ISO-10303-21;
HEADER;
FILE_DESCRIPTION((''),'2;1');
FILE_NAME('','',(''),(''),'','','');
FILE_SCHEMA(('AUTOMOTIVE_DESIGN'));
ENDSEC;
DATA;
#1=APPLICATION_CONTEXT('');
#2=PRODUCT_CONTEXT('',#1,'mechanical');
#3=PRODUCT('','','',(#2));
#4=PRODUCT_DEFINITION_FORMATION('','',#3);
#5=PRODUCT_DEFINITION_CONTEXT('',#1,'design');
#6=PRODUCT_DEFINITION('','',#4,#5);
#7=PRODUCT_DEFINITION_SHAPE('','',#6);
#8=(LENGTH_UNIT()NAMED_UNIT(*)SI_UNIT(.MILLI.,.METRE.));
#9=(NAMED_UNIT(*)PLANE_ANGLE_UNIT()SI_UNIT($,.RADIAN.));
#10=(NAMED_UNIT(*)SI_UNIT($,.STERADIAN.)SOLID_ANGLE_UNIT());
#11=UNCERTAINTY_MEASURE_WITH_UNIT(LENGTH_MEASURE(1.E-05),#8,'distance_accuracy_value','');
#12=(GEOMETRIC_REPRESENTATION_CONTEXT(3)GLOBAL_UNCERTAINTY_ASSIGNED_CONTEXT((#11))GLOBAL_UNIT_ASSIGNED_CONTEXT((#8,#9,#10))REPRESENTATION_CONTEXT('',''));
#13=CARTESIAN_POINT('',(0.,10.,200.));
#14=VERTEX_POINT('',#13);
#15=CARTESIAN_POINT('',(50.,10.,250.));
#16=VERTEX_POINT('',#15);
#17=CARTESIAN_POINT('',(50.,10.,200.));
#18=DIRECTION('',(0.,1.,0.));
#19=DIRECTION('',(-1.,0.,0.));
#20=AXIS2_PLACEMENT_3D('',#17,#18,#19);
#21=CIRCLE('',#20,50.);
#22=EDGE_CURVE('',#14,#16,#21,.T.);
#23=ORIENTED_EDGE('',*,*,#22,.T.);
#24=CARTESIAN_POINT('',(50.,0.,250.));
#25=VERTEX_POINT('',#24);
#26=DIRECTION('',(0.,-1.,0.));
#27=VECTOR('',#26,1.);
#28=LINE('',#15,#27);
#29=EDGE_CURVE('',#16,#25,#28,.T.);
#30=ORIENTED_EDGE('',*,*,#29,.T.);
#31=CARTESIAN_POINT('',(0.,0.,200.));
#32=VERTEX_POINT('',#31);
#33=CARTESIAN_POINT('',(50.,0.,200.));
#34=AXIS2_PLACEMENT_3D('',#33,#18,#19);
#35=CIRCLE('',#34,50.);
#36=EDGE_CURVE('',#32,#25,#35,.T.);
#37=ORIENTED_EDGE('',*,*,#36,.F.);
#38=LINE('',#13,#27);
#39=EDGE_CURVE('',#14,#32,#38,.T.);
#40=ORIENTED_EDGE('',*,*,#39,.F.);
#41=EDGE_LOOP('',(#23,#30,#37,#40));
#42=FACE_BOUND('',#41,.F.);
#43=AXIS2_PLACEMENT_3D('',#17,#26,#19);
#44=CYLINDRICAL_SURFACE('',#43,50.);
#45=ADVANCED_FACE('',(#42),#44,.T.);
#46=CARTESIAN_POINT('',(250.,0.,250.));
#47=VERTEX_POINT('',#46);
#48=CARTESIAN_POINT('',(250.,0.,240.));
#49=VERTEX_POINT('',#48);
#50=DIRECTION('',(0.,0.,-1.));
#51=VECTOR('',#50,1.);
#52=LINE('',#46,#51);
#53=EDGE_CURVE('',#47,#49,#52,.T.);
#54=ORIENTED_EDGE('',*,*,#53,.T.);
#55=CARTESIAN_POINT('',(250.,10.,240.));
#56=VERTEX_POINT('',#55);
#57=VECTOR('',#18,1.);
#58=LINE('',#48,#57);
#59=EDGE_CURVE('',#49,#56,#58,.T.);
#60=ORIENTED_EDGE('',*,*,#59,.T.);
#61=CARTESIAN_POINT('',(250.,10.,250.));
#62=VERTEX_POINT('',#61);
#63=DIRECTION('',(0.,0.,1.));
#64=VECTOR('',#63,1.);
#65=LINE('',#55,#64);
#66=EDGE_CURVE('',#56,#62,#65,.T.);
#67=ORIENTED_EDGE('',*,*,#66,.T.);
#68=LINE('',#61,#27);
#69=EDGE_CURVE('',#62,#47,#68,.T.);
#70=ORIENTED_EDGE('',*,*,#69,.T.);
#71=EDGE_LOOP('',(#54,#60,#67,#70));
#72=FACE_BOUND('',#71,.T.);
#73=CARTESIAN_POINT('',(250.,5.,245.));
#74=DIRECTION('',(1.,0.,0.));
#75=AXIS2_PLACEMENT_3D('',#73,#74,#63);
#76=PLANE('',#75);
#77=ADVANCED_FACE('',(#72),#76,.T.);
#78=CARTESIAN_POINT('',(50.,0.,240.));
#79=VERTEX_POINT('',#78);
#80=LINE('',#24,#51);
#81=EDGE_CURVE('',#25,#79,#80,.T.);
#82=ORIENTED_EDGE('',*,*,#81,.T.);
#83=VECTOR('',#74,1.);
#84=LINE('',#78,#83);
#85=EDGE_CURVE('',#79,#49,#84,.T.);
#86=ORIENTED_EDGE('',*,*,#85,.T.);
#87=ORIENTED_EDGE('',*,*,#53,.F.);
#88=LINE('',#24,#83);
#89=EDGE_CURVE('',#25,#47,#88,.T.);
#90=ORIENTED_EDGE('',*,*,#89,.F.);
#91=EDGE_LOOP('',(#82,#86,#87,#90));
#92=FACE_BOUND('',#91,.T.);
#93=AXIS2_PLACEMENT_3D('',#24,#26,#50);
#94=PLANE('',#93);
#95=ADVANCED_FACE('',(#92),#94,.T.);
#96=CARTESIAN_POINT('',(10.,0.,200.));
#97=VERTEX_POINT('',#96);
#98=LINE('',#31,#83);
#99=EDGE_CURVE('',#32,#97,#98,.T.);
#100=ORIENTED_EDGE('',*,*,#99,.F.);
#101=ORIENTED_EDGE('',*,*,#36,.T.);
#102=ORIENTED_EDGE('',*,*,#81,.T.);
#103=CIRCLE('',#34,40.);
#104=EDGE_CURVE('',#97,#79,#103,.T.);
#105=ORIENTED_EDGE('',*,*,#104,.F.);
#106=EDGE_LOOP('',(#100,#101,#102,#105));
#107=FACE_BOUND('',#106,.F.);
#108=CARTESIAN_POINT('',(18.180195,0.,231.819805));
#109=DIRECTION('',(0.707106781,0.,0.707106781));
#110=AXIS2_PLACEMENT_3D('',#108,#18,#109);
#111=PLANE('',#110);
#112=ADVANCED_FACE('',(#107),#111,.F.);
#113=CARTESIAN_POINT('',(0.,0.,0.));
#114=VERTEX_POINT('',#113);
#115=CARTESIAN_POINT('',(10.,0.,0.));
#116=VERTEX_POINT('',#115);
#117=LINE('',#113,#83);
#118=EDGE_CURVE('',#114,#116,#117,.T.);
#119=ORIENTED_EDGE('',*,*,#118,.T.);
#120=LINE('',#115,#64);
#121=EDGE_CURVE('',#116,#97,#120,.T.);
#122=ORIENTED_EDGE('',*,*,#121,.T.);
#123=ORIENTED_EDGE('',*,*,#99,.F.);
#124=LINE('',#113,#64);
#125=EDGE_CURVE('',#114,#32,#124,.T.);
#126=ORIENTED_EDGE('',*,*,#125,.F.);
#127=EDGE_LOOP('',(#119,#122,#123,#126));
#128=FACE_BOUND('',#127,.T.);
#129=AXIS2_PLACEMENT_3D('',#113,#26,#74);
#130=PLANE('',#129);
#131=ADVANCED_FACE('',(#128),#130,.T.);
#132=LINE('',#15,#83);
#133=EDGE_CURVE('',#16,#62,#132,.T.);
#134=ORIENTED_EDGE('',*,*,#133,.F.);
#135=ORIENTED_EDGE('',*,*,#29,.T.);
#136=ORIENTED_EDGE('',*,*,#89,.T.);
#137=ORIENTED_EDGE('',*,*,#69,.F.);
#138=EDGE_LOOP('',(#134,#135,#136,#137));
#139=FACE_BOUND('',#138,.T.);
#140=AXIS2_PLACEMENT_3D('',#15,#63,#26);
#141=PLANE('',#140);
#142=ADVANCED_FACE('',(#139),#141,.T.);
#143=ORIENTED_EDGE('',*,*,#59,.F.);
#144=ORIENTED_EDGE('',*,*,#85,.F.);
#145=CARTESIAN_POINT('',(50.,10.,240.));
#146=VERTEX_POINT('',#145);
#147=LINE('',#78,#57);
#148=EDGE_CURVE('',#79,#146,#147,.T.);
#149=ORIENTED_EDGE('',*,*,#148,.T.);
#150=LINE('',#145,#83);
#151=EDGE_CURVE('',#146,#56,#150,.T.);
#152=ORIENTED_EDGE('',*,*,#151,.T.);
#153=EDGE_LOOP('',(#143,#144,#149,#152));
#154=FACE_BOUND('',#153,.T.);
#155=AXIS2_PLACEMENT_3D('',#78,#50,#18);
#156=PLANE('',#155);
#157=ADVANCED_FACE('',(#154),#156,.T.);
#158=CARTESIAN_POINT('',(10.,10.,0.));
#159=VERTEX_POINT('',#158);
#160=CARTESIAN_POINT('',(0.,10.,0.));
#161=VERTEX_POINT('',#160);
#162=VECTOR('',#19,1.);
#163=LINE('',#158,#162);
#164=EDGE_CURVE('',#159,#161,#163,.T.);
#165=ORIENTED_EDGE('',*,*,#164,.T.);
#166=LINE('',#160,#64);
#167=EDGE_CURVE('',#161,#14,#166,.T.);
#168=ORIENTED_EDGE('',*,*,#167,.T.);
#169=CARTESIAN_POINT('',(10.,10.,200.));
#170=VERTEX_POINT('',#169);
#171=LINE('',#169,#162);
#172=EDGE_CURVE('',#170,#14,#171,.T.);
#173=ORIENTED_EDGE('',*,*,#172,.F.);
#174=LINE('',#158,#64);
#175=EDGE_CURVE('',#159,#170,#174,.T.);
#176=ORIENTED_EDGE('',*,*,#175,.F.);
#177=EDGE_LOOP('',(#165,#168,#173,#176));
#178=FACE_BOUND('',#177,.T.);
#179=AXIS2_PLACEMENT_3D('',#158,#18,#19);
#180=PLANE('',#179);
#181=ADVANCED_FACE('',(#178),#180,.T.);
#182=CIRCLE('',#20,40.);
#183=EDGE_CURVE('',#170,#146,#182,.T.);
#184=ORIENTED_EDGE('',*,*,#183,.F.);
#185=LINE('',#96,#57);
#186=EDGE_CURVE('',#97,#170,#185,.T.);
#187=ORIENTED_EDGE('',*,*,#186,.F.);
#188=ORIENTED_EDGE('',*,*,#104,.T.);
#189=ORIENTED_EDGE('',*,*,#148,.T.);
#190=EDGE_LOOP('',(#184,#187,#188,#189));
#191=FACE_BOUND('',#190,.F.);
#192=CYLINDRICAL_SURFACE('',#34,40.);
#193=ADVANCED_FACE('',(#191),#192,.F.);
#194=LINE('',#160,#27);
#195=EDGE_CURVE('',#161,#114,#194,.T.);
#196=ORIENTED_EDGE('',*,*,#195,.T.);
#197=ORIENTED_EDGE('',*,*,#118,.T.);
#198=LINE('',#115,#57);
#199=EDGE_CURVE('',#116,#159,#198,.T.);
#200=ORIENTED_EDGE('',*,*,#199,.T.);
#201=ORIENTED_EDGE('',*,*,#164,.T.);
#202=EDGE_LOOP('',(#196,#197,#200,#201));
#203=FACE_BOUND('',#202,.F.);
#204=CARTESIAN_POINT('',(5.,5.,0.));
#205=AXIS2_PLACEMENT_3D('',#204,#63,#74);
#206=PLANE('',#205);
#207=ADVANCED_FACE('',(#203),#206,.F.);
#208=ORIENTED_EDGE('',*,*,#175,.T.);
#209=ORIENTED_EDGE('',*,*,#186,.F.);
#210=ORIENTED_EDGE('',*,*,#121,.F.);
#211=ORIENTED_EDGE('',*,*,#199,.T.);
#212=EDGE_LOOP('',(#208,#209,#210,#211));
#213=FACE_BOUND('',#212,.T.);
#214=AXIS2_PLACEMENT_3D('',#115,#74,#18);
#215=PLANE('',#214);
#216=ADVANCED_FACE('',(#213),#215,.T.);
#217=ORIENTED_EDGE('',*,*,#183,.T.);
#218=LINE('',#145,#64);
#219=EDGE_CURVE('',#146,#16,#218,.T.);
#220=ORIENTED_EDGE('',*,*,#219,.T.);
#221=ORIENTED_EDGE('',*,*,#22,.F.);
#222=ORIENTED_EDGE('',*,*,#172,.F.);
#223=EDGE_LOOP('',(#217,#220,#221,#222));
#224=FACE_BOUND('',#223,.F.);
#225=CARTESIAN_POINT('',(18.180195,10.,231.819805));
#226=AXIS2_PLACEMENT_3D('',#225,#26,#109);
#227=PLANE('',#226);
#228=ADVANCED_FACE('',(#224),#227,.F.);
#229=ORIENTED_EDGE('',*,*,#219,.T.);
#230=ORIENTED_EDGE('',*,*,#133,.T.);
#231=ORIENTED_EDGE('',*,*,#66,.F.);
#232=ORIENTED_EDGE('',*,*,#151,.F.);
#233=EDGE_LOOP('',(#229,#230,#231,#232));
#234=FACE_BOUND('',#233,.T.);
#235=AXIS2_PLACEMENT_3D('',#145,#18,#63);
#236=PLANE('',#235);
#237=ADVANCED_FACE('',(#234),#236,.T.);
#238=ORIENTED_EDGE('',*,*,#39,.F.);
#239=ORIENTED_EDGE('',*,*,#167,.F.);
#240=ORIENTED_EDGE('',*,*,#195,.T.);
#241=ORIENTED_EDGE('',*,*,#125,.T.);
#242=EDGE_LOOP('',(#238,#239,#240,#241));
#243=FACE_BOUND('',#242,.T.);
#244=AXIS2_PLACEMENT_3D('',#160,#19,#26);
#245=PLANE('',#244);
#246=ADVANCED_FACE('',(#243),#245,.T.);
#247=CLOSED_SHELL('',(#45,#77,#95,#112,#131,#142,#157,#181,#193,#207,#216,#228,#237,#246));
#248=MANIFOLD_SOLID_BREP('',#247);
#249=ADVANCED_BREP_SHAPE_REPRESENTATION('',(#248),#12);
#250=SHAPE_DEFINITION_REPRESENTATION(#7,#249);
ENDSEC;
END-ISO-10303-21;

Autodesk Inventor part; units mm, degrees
ref_plane "YZ Plane" through (0, 0, 0) normal (1, 0, 0) x (0, 1, 0)
ref_plane "XZ Plane" through (0, 0, 0) normal (0, 1, 0) x (-1, 0, 0)
ref_plane "XY Plane" through (0, 0, 0) normal (0, 0, 1) x (1, 0, 0)
sketch "Эскиз1" plane through (0, 0, 0) normal (0, 0, 1) x (1, 0, 0)
  line L0 (0, 0) -> (10, 0)
  line L1 (10, 0) -> (10, 10)
  line L2 (10, 10) -> (0, 10)
  line L3 (0, 10) -> (0, 0)
  dimension "d5" = 10
  dimension "d6" = 10
sketch "Эскиз2" plane through (0, 0, 0) normal (0, 1, 0) x (-1, 0, 0)
  line L0 (0, 0) -> (0, 200)
  line L1 (-50, 250) -> (-250, 250)
  arc A0 (0, 200) -> (-50, 250) centre (-50, 200) ccw
  point P0 (0, 250)
  dimension "d3" = 250
  dimension "d4" = 250
  dimension "d7" = 50
sweep "Сдвиг1" add profiles "Эскиз1" path "Эскиз2"
properties part number "4"
